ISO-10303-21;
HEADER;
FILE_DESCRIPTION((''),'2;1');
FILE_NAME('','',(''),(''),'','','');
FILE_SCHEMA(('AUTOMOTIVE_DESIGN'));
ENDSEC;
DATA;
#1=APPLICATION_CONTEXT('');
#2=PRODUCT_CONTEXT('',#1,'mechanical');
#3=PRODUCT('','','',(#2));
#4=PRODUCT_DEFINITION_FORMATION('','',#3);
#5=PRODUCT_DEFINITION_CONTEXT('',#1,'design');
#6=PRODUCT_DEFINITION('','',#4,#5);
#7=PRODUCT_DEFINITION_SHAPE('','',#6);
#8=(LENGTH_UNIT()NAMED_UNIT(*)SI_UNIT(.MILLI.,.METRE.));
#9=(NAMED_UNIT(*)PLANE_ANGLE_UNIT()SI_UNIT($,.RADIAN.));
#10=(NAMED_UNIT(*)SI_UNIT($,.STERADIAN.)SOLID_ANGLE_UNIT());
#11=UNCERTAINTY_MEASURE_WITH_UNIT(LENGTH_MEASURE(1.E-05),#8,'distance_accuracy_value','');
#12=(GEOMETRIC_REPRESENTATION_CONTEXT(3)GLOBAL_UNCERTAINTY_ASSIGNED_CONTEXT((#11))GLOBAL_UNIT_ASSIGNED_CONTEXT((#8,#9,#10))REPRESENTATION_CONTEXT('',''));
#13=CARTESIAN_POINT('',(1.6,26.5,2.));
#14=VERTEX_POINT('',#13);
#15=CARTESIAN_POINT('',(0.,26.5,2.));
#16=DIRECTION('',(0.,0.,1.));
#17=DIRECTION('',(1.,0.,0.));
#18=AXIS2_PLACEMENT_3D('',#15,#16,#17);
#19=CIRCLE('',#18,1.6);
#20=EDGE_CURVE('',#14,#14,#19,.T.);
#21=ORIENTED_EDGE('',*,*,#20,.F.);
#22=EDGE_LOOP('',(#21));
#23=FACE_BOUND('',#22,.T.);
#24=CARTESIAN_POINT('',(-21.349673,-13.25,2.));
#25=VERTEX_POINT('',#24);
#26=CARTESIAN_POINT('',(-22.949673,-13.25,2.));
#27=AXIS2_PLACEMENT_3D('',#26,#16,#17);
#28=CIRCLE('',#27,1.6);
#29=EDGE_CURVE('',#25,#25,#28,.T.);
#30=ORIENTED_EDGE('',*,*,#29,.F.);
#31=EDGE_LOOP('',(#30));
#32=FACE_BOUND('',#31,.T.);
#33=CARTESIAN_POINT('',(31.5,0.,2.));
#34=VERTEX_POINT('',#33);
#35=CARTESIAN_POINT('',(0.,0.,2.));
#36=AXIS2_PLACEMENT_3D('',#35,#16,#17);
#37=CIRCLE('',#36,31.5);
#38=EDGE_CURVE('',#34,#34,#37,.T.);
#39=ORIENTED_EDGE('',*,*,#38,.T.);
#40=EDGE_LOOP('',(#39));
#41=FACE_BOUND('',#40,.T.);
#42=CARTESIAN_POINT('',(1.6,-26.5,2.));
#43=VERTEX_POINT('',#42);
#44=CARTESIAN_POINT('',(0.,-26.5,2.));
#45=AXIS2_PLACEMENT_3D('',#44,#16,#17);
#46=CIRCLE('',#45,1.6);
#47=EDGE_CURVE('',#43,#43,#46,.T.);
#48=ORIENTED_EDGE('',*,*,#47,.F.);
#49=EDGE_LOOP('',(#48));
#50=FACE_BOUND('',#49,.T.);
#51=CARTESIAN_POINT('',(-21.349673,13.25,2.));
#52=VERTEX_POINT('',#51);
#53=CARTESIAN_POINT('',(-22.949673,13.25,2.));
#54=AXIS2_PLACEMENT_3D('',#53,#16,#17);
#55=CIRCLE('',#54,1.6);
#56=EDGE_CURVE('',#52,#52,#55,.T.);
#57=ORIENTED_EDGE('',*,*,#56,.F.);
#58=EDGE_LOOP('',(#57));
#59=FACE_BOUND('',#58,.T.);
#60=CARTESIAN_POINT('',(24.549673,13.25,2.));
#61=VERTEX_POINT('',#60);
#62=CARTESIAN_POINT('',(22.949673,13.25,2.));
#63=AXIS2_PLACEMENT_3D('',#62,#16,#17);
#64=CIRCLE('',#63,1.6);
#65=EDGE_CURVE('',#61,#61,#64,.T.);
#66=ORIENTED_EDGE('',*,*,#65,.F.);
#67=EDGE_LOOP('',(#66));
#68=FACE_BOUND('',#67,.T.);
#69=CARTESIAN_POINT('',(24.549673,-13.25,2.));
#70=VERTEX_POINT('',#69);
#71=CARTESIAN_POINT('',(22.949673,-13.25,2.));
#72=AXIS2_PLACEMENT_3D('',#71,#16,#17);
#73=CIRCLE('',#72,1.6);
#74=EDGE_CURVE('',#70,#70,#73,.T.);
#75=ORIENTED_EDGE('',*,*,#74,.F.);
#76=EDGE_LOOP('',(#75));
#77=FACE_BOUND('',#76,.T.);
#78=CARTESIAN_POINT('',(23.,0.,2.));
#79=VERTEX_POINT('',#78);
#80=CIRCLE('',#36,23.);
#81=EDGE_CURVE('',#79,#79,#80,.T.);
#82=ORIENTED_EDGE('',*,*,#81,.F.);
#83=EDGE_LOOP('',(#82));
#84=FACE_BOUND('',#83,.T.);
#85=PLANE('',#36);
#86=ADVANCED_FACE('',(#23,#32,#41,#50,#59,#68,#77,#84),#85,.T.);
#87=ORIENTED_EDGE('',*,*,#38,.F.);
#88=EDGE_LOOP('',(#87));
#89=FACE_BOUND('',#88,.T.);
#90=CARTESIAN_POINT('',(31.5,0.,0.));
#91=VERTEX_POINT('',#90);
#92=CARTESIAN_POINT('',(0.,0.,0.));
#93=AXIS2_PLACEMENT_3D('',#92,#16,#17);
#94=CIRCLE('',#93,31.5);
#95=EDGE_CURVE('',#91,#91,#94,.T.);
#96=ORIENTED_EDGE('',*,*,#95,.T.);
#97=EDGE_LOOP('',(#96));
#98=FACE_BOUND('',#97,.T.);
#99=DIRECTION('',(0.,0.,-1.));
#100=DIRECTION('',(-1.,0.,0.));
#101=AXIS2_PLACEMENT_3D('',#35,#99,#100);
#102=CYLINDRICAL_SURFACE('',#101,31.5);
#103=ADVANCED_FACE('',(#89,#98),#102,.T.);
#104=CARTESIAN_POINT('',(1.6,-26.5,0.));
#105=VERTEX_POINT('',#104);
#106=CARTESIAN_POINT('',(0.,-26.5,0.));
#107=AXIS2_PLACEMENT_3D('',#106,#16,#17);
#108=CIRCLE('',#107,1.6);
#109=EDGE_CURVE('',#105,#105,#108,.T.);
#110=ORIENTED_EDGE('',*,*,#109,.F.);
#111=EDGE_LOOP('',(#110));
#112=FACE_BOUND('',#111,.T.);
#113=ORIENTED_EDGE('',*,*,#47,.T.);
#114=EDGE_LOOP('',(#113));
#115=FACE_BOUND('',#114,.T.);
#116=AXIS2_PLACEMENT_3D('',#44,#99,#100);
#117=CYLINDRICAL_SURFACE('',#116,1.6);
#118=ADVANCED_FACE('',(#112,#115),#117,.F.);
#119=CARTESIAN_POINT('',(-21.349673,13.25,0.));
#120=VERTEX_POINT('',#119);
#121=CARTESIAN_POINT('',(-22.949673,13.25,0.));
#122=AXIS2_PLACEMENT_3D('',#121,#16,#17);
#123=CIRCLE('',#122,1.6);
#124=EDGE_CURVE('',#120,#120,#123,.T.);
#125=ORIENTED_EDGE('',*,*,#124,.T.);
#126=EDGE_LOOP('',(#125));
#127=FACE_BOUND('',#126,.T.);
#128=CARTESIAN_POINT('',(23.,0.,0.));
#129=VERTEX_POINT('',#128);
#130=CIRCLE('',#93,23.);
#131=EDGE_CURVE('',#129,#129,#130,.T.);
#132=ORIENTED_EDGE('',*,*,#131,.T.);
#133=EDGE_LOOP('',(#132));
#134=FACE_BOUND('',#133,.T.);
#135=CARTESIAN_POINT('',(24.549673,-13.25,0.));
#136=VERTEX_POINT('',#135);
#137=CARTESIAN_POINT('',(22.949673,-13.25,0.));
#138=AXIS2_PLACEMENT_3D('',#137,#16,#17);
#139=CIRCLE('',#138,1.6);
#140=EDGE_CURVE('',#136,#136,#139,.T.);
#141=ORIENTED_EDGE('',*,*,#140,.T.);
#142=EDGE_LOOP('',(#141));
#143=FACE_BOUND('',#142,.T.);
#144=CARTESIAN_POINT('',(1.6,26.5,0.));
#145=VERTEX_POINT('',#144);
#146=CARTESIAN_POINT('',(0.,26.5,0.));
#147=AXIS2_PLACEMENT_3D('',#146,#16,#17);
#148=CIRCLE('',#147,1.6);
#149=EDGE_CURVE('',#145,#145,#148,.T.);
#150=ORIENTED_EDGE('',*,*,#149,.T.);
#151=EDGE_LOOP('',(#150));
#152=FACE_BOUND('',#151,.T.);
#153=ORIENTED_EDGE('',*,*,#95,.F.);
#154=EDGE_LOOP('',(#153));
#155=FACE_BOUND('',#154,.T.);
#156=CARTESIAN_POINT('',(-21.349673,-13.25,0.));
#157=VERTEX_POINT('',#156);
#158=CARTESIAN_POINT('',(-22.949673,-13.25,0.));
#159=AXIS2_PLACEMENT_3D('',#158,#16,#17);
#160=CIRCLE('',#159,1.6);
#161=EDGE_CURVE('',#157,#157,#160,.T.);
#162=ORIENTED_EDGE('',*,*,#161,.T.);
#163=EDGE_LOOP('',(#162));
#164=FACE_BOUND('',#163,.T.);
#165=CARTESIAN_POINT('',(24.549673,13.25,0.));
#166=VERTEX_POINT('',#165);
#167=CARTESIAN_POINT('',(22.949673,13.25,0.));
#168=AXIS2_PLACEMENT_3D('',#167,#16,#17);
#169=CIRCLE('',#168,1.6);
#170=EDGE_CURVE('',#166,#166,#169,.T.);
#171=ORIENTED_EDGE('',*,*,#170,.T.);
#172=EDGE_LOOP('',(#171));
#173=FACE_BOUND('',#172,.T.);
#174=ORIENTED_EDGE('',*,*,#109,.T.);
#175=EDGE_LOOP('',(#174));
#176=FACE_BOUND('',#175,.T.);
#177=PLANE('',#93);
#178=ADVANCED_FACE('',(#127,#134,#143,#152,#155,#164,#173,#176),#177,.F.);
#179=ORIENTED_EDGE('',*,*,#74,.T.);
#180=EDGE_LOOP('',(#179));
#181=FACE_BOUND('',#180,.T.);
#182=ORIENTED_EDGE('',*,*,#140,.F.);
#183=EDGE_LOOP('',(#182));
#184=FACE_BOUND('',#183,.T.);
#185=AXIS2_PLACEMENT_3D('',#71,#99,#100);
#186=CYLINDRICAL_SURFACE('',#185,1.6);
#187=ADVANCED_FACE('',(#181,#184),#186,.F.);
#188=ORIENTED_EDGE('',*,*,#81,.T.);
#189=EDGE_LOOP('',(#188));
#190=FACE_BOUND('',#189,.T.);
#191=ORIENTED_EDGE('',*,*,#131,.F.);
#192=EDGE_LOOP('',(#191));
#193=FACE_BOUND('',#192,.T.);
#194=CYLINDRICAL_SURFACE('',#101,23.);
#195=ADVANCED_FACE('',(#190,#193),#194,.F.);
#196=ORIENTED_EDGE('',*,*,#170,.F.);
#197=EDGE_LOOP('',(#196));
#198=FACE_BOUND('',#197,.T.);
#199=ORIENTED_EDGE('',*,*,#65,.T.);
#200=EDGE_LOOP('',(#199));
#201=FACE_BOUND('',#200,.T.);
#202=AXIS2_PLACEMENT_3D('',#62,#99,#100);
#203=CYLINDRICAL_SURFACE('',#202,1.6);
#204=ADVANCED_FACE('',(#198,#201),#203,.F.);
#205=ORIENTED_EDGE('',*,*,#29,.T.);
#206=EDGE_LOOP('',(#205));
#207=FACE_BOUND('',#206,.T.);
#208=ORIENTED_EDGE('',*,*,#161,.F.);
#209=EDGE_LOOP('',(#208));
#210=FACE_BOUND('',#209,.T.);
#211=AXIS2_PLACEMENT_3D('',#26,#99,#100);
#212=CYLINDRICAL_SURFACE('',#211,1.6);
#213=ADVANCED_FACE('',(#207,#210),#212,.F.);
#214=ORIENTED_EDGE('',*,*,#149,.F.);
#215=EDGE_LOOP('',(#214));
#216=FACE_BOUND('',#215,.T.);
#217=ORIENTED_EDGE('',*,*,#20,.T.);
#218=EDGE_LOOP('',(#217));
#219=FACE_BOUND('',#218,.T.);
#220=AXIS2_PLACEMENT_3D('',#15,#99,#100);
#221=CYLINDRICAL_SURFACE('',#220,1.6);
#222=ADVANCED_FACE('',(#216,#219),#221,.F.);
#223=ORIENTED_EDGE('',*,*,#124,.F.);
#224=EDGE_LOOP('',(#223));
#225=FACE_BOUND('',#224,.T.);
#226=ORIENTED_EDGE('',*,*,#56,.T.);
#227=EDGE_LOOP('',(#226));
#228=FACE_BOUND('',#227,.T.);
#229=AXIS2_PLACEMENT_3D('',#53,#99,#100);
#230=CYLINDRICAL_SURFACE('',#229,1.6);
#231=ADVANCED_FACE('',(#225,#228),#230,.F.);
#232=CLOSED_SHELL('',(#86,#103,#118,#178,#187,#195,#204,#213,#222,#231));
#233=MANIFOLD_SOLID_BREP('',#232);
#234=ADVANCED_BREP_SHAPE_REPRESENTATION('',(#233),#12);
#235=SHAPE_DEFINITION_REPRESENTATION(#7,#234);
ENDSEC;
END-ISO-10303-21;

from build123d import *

# Parameters (mm, degrees)
SKETCH_1_R      = 31.5
SKETCH_1_R_2    = 23
SKETCH_1_R_3    = 1.6
EXTRUDE_1_DEPTH = 2


with BuildPart() as part:
    # 草图1 → 凸台-拉伸1 (new body)
    with BuildSketch(Plane.XY):
        Circle(SKETCH_1_R)
        Circle(SKETCH_1_R_2, mode=Mode.SUBTRACT)
        with Locations((0, 26.5)):
            Circle(SKETCH_1_R_3, mode=Mode.SUBTRACT)
        with Locations((22.9496732, 13.25)):
            Circle(SKETCH_1_R_3, mode=Mode.SUBTRACT)
        with Locations((22.9496732, -13.25)):
            Circle(SKETCH_1_R_3, mode=Mode.SUBTRACT)
        with Locations((0, -26.5)):
            Circle(SKETCH_1_R_3, mode=Mode.SUBTRACT)
        with Locations((-22.9496732, -13.25)):
            Circle(SKETCH_1_R_3, mode=Mode.SUBTRACT)
        with Locations((-22.9496732, 13.25)):
            Circle(SKETCH_1_R_3, mode=Mode.SUBTRACT)
    extrude(amount=EXTRUDE_1_DEPTH)


solid = part.part
